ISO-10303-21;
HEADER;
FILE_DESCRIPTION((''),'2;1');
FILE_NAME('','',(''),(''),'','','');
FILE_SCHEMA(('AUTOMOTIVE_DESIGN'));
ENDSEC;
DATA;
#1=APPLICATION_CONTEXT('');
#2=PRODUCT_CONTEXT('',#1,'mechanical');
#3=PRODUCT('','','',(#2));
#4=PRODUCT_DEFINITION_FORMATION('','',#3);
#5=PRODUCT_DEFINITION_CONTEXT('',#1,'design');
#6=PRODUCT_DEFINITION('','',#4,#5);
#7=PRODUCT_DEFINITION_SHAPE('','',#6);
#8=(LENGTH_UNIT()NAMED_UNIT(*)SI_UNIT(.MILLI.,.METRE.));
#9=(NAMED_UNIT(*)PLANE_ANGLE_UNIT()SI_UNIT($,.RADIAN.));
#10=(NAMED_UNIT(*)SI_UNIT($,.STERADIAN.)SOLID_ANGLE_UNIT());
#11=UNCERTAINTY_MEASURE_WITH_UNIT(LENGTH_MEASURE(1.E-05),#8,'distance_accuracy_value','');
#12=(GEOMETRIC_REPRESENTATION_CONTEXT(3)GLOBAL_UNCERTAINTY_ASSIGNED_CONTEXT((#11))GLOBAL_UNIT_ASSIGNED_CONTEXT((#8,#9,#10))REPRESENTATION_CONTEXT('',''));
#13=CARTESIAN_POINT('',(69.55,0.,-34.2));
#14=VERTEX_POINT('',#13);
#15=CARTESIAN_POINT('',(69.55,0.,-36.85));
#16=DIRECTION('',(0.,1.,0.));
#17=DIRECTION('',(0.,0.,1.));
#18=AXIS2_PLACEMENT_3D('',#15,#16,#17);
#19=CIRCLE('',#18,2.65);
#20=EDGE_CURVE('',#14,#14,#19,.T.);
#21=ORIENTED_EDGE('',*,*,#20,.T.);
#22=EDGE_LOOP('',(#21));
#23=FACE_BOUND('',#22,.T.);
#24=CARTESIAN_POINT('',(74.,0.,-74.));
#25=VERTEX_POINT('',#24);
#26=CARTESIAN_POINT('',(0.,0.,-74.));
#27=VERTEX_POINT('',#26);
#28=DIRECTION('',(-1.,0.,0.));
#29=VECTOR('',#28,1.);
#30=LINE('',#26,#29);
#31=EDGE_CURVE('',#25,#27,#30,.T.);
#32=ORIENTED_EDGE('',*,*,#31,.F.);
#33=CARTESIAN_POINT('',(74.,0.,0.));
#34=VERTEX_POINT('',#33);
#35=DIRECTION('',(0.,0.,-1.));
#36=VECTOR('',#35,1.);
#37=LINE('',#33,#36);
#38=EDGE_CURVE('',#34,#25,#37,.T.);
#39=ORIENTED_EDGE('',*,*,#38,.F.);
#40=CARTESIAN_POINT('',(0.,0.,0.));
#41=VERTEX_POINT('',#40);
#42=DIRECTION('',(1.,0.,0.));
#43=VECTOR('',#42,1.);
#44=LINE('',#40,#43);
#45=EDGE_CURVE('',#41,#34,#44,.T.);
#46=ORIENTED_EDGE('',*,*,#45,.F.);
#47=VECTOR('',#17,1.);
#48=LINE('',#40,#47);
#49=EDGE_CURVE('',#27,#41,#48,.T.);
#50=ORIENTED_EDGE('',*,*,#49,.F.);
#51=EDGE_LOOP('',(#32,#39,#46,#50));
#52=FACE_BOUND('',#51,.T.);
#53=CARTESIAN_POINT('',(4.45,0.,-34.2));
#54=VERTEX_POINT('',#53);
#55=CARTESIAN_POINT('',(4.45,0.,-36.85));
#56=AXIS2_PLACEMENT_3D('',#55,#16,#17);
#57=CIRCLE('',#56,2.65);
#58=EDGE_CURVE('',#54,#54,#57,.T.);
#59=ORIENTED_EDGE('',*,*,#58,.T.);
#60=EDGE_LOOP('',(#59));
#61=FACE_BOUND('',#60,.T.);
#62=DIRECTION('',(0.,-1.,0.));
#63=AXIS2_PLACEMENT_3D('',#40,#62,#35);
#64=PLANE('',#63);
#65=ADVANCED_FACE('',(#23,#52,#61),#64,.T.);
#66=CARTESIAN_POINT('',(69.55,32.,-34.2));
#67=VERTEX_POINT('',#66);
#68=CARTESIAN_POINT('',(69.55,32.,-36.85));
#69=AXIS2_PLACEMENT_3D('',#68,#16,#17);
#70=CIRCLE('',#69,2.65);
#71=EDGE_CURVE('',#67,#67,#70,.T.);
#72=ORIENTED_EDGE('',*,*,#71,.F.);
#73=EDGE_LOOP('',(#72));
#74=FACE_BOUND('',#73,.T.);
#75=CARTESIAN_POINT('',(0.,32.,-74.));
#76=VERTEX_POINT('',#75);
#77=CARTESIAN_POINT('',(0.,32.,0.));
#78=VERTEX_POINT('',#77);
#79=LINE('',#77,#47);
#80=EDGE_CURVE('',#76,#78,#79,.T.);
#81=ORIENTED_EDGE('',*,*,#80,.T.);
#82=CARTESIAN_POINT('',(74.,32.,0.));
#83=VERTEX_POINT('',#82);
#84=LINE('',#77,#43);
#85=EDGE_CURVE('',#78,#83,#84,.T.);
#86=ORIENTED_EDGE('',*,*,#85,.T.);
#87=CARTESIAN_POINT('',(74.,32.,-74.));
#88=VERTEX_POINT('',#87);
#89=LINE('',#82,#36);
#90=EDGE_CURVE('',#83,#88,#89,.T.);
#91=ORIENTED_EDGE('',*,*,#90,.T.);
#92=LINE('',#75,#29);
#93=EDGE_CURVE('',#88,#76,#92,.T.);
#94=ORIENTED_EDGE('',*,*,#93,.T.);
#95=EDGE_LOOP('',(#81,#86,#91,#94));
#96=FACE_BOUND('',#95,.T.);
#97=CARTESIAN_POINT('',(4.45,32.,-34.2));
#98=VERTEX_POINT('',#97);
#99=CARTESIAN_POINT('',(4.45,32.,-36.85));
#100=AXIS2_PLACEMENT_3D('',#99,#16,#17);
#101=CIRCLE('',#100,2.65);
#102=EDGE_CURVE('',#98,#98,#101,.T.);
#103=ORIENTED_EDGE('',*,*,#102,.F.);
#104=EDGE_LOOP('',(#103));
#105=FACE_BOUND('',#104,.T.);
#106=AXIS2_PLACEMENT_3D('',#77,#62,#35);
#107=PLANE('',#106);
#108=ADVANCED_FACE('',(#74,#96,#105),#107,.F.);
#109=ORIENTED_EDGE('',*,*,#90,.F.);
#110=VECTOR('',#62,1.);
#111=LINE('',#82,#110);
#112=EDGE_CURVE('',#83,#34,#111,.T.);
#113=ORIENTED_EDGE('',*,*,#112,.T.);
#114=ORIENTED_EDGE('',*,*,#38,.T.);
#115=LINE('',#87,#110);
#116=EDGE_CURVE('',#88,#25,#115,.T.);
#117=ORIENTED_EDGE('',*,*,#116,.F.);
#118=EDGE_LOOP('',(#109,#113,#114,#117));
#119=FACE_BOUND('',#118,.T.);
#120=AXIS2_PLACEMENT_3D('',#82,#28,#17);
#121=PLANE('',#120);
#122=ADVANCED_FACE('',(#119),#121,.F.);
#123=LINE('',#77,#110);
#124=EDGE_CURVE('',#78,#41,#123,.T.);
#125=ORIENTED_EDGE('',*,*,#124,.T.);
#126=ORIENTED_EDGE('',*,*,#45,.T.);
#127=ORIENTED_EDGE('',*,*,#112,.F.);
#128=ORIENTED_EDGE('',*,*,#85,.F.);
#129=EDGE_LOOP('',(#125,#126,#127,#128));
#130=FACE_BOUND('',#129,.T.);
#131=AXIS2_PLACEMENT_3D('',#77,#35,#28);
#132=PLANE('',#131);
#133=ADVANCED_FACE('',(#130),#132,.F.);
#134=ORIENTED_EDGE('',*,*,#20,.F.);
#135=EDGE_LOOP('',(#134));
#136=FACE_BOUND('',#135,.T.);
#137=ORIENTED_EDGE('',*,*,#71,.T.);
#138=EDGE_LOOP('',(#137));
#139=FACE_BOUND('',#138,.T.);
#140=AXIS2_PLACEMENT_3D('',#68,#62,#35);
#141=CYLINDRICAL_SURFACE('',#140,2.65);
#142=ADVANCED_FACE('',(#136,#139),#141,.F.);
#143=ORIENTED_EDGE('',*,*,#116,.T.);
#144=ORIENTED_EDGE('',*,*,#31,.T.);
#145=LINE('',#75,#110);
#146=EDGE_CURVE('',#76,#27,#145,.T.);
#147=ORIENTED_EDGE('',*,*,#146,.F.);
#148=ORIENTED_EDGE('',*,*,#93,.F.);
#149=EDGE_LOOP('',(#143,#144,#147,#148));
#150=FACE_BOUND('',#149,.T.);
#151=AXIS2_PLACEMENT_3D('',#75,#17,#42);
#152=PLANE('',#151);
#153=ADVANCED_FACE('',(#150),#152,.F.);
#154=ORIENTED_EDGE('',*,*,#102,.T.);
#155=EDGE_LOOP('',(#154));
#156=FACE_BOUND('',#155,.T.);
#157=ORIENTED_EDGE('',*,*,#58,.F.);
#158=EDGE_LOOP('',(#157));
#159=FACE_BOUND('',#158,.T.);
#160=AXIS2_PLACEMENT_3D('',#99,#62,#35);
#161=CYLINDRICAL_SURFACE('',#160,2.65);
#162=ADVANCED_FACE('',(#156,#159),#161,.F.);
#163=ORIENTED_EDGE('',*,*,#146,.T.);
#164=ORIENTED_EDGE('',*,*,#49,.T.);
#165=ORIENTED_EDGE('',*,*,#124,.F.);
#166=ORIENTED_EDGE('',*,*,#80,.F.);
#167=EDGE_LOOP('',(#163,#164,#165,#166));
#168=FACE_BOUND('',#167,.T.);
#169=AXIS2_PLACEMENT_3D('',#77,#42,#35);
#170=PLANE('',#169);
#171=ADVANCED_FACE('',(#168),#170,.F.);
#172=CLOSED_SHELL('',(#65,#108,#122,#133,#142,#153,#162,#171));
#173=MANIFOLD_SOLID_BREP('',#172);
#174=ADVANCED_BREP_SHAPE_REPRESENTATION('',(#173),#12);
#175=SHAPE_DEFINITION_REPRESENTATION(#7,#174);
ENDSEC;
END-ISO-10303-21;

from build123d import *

# Parameters (mm, degrees)
SKETCH1_W           = 74
SKETCH1_H           = 74
SKETCH1_R           = 2.65
BOSS_EXTRUDE1_DEPTH = 32


with BuildPart() as part:
    # Sketch1 → Boss-Extrude1 (new body)
    with BuildSketch(Plane(origin=(0, 0, 0), x_dir=(1, 0, 0), z_dir=(0, 1, 0))):
        with Locations((37, 37)):
            Rectangle(SKETCH1_W, SKETCH1_H)
        with Locations(Location((4.45, 36.85, 0), (0, 0, 270))):
            Circle(SKETCH1_R, mode=Mode.SUBTRACT)
        with Locations(Location((69.55, 36.85, 0), (0, 0, 270))):
            Circle(SKETCH1_R, mode=Mode.SUBTRACT)
    extrude(amount=BOSS_EXTRUDE1_DEPTH)


solid = part.part
